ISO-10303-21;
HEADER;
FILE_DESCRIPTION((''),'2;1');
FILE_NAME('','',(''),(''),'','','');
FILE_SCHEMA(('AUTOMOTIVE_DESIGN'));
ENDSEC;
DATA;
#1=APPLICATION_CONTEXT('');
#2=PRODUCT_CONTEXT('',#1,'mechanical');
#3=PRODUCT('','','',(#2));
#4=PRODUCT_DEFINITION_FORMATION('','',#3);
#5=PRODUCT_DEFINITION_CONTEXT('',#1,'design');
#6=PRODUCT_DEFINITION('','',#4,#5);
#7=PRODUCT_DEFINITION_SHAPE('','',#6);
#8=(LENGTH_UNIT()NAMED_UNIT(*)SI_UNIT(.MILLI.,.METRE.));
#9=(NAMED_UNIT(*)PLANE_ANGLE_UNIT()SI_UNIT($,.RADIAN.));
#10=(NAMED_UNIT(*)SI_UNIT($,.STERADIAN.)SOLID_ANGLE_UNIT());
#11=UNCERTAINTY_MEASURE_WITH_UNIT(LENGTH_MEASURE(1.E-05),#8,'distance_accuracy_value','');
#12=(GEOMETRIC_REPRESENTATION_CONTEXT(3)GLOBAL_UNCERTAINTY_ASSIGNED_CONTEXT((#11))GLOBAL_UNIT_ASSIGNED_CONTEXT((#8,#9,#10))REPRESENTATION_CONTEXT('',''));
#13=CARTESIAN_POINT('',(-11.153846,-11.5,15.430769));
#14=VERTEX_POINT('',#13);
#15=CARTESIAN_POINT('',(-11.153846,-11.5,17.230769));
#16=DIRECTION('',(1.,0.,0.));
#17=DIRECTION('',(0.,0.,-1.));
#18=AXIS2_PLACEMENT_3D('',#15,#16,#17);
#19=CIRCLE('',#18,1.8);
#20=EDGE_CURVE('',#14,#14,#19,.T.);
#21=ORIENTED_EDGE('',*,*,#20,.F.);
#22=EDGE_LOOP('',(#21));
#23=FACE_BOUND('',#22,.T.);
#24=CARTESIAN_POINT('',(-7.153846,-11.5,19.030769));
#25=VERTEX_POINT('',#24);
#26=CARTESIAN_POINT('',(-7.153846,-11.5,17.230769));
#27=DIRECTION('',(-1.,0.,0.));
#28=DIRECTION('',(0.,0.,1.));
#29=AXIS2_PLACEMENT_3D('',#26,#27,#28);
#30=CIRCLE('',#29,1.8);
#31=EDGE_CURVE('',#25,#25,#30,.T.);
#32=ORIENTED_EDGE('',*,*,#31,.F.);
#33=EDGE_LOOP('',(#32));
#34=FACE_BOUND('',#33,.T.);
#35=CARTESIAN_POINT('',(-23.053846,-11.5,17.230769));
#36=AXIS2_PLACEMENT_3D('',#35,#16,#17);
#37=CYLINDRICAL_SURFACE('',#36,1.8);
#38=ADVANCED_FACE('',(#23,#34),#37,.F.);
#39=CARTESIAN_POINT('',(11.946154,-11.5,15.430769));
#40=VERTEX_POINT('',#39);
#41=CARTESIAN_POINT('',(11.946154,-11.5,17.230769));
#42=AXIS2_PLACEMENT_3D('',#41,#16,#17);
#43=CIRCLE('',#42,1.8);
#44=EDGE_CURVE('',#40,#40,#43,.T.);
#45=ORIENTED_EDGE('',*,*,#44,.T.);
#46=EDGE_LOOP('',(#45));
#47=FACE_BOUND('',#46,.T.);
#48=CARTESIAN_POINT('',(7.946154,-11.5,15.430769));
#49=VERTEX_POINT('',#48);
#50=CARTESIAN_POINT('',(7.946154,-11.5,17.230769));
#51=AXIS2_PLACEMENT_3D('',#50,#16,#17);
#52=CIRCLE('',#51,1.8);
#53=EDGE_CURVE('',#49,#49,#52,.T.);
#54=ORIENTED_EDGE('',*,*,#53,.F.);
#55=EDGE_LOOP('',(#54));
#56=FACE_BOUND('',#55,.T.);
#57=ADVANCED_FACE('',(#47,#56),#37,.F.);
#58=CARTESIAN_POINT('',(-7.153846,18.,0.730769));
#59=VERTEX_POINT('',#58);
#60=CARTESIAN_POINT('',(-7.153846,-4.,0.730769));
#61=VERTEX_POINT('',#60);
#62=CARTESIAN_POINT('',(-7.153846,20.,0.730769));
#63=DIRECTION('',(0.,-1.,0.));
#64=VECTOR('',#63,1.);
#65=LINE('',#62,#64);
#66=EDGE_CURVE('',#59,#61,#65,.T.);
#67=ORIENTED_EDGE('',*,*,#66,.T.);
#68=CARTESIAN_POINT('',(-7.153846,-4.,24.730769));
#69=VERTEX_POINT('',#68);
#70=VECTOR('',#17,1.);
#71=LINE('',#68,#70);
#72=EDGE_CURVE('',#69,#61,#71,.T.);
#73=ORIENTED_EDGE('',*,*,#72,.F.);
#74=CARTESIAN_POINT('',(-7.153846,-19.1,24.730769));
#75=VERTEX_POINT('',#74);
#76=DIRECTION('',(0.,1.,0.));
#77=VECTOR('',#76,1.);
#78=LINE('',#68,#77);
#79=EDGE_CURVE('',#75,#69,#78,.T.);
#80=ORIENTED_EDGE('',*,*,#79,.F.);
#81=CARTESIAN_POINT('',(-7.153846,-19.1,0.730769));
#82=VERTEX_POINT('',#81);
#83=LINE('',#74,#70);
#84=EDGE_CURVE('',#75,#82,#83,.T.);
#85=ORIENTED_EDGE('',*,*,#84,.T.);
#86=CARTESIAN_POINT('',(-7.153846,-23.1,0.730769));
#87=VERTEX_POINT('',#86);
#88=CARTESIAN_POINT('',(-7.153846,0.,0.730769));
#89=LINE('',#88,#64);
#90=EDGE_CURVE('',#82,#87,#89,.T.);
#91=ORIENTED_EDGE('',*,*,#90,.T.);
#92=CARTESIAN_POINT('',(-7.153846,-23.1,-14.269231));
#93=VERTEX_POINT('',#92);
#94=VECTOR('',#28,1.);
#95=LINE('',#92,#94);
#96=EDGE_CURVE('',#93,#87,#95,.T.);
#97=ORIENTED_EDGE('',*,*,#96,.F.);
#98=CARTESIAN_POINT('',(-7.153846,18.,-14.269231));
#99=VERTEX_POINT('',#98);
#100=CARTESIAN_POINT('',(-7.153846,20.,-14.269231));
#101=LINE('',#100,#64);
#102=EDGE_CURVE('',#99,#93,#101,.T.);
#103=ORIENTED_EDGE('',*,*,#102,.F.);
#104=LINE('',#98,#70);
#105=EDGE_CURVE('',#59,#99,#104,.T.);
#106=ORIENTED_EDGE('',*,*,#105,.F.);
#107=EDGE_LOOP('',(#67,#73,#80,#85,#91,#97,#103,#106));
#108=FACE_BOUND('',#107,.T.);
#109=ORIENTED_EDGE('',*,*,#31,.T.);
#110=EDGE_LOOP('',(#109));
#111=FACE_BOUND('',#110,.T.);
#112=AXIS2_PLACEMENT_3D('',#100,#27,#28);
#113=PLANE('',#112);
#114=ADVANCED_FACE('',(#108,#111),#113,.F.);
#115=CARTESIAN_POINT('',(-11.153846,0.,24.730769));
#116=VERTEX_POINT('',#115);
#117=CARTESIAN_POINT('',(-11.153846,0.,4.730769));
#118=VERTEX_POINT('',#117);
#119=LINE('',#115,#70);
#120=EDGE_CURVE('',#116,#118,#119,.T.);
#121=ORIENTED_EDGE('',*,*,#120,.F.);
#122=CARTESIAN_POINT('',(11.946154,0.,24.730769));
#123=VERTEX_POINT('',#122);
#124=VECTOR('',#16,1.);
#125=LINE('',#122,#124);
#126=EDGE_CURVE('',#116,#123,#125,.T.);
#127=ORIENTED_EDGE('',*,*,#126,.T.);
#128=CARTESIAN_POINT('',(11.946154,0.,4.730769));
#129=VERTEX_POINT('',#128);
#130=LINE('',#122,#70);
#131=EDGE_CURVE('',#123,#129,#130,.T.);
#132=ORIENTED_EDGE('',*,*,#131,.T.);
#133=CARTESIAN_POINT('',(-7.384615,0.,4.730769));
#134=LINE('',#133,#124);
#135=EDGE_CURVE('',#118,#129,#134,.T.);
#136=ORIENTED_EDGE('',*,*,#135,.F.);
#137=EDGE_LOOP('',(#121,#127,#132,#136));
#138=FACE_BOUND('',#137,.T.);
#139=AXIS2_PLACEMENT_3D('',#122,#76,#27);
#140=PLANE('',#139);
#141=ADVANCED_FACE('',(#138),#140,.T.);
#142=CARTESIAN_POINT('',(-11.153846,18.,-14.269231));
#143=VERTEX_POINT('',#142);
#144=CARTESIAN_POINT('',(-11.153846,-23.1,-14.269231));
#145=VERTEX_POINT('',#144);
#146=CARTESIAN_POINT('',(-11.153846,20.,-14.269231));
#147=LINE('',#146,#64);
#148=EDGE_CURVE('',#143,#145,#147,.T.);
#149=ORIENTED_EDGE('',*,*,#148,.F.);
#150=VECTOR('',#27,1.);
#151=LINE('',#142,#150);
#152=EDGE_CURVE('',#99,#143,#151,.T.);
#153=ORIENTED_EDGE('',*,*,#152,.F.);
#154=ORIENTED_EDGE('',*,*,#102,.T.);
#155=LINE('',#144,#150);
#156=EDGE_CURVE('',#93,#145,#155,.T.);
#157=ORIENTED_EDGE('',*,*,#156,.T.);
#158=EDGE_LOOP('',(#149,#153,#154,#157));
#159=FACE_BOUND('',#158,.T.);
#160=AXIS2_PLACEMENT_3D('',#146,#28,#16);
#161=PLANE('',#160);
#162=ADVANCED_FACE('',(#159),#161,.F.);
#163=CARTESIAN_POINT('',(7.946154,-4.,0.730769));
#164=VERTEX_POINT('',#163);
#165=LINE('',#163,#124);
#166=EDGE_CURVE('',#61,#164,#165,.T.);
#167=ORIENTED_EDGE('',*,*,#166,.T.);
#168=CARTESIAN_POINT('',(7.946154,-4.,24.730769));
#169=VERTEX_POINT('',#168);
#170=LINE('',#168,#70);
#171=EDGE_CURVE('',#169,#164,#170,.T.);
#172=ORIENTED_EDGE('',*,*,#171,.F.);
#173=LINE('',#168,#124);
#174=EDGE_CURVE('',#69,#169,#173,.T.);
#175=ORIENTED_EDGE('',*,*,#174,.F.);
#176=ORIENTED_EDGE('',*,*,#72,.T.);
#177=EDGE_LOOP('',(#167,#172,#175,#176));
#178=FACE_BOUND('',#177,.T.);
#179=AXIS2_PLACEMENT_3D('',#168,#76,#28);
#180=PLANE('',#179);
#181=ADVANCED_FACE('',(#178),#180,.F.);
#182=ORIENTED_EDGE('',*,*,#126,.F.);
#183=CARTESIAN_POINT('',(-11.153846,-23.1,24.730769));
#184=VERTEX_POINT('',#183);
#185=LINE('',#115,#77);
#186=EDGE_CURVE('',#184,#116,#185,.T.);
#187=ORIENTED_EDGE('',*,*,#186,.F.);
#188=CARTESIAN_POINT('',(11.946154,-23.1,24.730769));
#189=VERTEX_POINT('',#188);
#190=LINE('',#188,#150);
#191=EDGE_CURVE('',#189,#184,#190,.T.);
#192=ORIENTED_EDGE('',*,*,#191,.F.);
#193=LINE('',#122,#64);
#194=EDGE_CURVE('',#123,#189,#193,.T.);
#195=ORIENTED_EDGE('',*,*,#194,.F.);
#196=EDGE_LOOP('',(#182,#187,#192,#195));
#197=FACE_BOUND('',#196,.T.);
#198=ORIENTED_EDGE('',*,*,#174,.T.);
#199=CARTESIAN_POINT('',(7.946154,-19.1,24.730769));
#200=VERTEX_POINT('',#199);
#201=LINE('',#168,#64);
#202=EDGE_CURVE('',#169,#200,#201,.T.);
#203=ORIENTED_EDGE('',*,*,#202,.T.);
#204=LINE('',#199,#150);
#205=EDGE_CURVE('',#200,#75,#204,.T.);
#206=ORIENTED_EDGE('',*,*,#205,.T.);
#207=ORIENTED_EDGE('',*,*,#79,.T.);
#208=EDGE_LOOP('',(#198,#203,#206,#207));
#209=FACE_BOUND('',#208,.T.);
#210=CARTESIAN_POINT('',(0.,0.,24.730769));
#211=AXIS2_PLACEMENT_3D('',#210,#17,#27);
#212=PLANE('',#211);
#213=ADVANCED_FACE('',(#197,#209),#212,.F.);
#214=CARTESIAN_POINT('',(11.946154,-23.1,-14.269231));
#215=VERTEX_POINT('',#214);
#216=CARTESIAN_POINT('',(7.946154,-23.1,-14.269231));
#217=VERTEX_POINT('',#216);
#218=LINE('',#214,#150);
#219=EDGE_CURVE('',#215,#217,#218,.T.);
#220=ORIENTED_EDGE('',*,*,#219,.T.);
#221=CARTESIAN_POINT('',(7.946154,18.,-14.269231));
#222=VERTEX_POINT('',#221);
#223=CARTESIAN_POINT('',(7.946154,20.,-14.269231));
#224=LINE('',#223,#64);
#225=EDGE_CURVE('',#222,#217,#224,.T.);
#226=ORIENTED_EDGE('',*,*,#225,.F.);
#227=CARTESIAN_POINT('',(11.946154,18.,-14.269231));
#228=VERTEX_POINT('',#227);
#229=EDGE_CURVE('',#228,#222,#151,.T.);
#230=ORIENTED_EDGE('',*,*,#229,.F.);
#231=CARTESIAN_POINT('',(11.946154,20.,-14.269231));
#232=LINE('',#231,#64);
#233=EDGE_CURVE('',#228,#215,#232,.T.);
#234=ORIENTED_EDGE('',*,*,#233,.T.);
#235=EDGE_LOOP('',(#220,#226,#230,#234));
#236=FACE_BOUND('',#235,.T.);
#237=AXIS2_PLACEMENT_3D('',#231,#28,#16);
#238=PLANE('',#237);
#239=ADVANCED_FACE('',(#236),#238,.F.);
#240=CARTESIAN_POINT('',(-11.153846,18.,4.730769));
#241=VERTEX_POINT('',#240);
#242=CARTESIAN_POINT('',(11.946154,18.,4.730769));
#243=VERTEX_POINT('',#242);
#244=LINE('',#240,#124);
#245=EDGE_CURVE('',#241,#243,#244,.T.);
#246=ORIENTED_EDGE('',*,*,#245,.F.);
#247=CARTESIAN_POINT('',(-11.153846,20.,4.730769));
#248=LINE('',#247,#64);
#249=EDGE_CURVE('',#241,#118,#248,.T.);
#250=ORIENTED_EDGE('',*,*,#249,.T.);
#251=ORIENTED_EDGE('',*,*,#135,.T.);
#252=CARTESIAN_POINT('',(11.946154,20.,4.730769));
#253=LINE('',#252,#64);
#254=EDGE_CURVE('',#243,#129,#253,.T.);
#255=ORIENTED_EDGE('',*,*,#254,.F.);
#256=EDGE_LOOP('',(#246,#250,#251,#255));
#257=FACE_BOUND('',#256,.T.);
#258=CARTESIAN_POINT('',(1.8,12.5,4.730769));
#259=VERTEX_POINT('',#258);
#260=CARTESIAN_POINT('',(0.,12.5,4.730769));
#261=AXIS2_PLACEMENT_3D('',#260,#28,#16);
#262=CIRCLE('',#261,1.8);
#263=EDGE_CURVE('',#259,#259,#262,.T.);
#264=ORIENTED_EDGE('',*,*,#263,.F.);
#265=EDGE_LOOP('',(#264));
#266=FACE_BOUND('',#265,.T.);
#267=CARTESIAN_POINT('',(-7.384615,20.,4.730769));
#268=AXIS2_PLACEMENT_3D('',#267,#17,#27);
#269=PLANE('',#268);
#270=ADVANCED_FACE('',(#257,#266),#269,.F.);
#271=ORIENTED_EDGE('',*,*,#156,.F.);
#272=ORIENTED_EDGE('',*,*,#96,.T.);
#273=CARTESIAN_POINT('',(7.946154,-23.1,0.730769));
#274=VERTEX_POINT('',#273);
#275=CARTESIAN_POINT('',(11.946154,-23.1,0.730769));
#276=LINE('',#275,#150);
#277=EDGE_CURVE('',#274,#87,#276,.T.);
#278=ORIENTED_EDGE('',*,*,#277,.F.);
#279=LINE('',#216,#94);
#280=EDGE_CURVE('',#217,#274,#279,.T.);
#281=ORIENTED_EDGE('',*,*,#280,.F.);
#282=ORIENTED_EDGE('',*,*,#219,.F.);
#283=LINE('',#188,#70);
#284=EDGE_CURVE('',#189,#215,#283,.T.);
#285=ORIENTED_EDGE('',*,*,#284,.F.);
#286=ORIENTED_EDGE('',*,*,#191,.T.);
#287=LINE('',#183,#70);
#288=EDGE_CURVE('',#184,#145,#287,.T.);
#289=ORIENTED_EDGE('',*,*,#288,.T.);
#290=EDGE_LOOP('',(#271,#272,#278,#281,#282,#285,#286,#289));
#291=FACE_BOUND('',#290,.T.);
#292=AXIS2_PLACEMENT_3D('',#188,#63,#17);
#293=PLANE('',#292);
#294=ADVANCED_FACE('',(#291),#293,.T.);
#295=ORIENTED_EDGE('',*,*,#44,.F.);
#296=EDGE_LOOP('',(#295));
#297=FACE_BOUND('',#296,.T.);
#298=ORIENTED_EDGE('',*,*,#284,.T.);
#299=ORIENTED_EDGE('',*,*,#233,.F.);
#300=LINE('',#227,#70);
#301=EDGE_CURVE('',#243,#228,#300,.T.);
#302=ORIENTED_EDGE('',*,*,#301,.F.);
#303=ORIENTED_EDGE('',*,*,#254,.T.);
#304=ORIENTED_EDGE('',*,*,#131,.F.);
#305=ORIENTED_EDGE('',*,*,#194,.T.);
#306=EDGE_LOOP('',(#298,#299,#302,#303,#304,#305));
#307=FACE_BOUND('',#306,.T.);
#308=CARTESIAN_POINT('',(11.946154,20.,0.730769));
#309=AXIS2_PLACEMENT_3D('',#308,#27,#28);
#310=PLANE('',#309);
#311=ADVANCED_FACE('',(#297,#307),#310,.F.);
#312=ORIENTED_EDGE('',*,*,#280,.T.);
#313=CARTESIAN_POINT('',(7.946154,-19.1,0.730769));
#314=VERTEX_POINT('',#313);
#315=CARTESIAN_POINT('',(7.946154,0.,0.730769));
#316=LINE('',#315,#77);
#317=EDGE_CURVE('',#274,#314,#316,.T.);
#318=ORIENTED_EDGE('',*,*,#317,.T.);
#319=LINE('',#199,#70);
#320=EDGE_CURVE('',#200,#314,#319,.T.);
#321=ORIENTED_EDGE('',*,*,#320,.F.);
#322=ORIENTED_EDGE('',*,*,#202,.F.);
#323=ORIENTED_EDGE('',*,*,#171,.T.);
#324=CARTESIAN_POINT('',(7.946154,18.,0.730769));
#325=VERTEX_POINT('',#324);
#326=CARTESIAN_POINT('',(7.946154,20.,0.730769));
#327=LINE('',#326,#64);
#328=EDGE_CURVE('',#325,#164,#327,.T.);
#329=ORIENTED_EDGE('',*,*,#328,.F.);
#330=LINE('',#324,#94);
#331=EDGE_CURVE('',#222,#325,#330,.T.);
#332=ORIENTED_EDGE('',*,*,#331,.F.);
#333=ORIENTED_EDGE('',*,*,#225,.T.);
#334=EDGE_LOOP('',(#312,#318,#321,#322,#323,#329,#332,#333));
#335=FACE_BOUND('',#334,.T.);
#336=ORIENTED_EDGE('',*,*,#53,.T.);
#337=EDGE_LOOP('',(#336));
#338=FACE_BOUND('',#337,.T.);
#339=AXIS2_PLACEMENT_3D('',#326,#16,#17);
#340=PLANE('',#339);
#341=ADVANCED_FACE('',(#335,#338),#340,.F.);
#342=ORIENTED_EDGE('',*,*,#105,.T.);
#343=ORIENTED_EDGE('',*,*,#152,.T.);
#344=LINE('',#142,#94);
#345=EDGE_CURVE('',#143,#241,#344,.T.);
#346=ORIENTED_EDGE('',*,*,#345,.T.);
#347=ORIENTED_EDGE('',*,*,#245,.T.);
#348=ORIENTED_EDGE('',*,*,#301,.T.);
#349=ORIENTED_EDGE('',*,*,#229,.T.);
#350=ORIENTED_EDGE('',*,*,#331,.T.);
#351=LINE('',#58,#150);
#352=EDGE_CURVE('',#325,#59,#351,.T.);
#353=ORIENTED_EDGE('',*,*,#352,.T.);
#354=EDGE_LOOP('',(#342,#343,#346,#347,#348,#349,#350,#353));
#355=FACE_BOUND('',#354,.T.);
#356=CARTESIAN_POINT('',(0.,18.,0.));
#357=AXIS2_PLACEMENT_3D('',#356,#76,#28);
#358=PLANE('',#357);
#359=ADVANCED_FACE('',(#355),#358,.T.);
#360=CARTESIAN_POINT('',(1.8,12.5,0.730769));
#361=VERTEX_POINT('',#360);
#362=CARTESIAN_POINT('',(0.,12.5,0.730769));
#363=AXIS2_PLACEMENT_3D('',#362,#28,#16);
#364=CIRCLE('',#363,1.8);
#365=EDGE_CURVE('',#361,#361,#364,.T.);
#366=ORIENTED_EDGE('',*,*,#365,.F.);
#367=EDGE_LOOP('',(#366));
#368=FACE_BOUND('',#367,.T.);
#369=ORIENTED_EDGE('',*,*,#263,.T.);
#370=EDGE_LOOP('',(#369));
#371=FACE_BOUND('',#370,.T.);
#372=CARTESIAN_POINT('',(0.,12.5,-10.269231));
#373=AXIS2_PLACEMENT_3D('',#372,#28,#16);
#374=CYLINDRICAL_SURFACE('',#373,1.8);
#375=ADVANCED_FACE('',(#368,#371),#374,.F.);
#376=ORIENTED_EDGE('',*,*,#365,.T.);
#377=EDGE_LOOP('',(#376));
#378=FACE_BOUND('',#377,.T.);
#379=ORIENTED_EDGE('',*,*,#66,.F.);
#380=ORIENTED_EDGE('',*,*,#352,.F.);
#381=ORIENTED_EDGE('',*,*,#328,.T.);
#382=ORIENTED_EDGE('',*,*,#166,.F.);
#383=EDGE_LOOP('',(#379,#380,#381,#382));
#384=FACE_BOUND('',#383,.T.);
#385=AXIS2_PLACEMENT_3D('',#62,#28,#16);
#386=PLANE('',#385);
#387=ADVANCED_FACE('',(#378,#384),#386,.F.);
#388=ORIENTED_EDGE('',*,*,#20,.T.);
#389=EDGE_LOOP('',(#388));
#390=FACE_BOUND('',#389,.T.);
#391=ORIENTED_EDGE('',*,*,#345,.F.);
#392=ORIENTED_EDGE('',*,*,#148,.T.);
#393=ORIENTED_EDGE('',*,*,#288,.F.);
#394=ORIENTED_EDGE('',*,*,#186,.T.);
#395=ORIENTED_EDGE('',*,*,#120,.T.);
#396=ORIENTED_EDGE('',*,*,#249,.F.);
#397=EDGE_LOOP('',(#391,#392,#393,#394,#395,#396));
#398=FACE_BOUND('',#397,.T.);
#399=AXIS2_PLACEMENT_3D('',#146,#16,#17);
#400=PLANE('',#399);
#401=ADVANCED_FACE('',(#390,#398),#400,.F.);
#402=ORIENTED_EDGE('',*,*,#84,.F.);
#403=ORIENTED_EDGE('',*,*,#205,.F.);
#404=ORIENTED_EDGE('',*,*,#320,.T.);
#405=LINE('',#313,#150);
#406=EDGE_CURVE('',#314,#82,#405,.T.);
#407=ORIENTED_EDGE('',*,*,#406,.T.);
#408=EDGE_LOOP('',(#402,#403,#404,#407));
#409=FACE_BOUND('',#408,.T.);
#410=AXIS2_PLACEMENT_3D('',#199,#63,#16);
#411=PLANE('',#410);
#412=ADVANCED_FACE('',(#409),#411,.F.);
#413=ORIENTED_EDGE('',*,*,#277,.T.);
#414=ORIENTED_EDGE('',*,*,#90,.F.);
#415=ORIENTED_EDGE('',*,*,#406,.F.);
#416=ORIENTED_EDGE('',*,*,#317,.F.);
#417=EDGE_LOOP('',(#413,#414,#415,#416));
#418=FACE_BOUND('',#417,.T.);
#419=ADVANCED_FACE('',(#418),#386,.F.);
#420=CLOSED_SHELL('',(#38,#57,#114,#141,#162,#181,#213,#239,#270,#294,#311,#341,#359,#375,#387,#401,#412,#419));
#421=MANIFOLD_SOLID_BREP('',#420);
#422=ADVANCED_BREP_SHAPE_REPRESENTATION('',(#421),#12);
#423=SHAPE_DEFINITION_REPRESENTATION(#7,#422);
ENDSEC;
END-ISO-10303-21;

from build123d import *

# Parameters (mm, degrees)
EXTRUDE_1_DEPTH     = 20
SKETCH_2_W          = 23.1
SKETCH_2_H          = 23.1
SKETCH_2_W_2        = 15.1
SKETCH_2_H_2        = 15.1
EXTRUDE_2_DEPTH     = 24
SKETCH_3_W          = 4
SKETCH_3_H          = 23.1
EXTRUDE_3_DEPTH     = 15
SKETCH_4_R          = 1.8
CUT_EXTRUDE_1_DEPTH = 15
SKETCH_5_R          = 1.8
CUT_EXTRUDE_2_DEPTH = 35
SKETCH_6_W          = 23.1
SKETCH_6_H          = 19
CUT_EXTRUDE_3_DEPTH = 2


with BuildPart() as part:
    # 草图1 → 凸台-拉伸1 (new body)
    with BuildSketch(Plane(origin=(0, 0, 0), x_dir=(1, 0, 0), z_dir=(0, 1, 0))):
        Polygon((-11.153846154, 14.269230769), (-7.153846154, 14.269230769), (-7.153846154, -0.730769231), (7.946153846, -0.730769231), (7.946153846, 14.269230769), (11.946153846, 14.269230769), (11.946153846, -0.730769231), (11.946153846, -4.730769231), (-7.384615385, -4.730769231), (-11.153846154, -4.730769231), align=None)
    extrude(amount=EXTRUDE_1_DEPTH)

    # 草图2 → 凸台-拉伸2 (add)
    with BuildSketch(Plane(origin=(0, 0, 0.730769231), x_dir=(-1, 0, 0), z_dir=(0, 0, -1))):
        with Locations((-0.396153846, -11.55)):
            Rectangle(SKETCH_2_W, SKETCH_2_H)
        with Locations((-0.396153846, -11.55)):
            Rectangle(SKETCH_2_W_2, SKETCH_2_H_2, mode=Mode.SUBTRACT)
    extrude(amount=-EXTRUDE_2_DEPTH)

    # 草图3 → 凸台-拉伸3 (add)
    with BuildSketch(Plane(origin=(0, 0, 0.730769231), x_dir=(-1, 0, 0), z_dir=(0, 0, -1))):
        with Locations((-9.946153846, -11.55)):
            Rectangle(SKETCH_3_W, SKETCH_3_H)
        with Locations((9.153846154, -11.55)):
            Rectangle(SKETCH_3_W, SKETCH_3_H)
    extrude(amount=EXTRUDE_3_DEPTH)

    # 草图4 → 切除-拉伸1 (cut)
    with BuildSketch(Plane.XY.offset(4.730769231)):
        with Locations((0, 12.5)):
            Circle(SKETCH_4_R)
    extrude(amount=-CUT_EXTRUDE_1_DEPTH, mode=Mode.SUBTRACT)

    # 草图5 → 切除-拉伸2 (cut)
    with BuildSketch(Plane(origin=(11.946153846, 0, 0), x_dir=(0, 0, -1), z_dir=(1, 0, 0))):
        with Locations((-17.230769231, -11.5)):
            Circle(SKETCH_5_R)
    extrude(amount=-CUT_EXTRUDE_2_DEPTH, mode=Mode.SUBTRACT)

    # 草图6 → 切除-拉伸3 (cut)
    with BuildSketch(Plane(origin=(0, 20, 0), x_dir=(1, 0, 0), z_dir=(0, 1, 0))):
        with Locations((0.396153846, 4.769230769)):
            Rectangle(SKETCH_6_W, SKETCH_6_H)
    extrude(amount=-CUT_EXTRUDE_3_DEPTH, mode=Mode.SUBTRACT)


solid = part.part
